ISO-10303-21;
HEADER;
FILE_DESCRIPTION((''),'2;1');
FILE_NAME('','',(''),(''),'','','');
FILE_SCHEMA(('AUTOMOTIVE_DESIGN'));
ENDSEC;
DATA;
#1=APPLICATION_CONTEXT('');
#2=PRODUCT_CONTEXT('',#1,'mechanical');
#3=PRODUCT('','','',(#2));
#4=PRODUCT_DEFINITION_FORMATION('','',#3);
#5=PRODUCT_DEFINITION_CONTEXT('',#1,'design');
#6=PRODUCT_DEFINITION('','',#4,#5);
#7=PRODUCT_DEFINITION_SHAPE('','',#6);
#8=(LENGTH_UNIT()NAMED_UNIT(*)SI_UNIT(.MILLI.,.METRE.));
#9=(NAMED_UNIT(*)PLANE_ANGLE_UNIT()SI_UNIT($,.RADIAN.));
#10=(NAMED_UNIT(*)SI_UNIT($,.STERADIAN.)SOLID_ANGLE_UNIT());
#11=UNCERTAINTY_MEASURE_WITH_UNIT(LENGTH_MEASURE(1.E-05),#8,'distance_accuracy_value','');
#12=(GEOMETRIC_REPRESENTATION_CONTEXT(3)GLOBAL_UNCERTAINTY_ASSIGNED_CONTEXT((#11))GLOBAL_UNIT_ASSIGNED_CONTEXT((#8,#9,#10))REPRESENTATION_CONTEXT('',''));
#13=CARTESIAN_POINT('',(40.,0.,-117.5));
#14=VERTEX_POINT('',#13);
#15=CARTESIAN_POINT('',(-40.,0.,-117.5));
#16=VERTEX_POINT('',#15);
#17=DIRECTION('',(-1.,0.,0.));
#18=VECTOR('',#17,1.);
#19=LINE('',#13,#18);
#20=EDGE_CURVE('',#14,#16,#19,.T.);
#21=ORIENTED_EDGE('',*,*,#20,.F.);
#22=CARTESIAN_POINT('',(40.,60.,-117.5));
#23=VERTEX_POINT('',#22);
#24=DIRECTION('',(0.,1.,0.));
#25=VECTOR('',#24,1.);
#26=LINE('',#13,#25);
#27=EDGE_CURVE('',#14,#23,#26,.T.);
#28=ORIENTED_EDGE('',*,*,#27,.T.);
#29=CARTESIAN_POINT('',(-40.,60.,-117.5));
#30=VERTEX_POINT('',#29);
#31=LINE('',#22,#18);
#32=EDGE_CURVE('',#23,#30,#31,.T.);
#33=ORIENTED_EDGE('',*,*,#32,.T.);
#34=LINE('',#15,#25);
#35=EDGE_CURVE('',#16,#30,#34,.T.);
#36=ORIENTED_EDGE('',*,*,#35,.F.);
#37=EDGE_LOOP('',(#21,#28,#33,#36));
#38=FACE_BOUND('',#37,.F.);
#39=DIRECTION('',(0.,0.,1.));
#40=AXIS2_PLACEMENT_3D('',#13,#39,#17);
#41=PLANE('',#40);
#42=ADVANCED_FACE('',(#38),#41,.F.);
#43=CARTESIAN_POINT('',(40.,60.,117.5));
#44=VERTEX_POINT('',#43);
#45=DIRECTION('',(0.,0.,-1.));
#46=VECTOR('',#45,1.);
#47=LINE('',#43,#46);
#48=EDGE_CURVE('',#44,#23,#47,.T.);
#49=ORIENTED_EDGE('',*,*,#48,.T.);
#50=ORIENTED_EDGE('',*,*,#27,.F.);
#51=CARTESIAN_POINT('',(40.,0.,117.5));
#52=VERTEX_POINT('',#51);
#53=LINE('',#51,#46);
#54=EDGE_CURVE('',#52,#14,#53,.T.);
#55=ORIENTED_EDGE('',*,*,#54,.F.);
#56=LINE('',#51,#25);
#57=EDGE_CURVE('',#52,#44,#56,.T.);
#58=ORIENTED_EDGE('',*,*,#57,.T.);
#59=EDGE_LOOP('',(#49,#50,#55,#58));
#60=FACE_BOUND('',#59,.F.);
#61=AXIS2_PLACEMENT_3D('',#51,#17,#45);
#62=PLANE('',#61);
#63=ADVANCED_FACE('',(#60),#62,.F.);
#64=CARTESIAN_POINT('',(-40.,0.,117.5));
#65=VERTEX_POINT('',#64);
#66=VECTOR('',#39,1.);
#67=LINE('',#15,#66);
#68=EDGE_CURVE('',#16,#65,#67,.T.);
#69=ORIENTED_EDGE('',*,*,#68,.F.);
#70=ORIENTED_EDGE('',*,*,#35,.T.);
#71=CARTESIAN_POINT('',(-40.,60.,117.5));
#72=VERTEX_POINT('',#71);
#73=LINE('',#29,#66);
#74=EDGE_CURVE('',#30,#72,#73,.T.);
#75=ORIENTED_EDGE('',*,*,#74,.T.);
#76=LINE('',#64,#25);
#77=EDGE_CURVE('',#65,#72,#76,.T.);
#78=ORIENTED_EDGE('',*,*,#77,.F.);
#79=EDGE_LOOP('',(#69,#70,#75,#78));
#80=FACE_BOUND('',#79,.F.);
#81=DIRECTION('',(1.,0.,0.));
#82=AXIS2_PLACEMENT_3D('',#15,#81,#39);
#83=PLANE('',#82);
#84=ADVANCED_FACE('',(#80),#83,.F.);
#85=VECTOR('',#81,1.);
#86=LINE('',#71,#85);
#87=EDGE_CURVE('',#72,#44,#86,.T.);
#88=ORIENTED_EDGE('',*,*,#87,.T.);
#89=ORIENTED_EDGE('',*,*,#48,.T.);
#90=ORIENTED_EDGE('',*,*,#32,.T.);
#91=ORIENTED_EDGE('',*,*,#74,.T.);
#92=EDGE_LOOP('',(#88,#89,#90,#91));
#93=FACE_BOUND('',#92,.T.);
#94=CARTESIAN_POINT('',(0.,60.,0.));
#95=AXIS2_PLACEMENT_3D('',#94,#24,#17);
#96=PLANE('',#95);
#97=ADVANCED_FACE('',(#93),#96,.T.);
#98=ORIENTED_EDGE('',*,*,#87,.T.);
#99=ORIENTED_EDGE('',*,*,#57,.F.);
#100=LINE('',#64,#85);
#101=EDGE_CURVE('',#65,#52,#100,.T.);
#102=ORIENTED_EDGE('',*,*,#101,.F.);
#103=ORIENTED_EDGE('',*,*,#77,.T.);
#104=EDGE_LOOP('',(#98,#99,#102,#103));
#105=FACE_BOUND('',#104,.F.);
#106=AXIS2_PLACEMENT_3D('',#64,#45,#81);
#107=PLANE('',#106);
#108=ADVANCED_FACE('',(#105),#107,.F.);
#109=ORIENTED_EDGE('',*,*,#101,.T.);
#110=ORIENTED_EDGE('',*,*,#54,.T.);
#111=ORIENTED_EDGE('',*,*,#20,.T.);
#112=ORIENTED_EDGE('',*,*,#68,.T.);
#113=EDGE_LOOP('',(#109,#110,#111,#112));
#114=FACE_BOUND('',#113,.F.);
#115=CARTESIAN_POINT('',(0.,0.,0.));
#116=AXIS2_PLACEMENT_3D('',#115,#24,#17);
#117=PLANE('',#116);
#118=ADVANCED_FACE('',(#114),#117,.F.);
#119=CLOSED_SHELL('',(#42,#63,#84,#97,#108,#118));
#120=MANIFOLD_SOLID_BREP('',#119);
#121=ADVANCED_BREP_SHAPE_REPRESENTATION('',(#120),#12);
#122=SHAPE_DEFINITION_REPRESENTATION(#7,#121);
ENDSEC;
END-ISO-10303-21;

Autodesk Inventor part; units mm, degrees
ref_plane "YZ Plane" through (0, 0, 0) normal (1, 0, 0) x (0, 1, 0)
ref_plane "XZ Plane" through (0, 0, 0) normal (0, 1, 0) x (-1, 0, 0)
ref_plane "XY Plane" through (0, 0, 0) normal (0, 0, 1) x (1, 0, 0)
sketch "Sketch1" plane through (0, 0, 0) normal (0, 1, 0) x (-1, 0, 0)
  line L0 (40, 117.5) -> (-40, 117.5)
  line L1 (-40, 117.5) -> (-40, -117.5)
  line L2 (-40, -117.5) -> (40, -117.5)
  line L3 (40, -117.5) -> (40, 117.5)
  point P0 (0, 0)
  point P1 (40, 0)
  point P2 (0, -117.5)
  dimension "d0" = 235
  dimension "d1" = 80
extrude "Extrusion1" add sketch "Sketch1" along normal blind 60
properties part number "BLANK-BC-10008" material "Aço Carbono"
